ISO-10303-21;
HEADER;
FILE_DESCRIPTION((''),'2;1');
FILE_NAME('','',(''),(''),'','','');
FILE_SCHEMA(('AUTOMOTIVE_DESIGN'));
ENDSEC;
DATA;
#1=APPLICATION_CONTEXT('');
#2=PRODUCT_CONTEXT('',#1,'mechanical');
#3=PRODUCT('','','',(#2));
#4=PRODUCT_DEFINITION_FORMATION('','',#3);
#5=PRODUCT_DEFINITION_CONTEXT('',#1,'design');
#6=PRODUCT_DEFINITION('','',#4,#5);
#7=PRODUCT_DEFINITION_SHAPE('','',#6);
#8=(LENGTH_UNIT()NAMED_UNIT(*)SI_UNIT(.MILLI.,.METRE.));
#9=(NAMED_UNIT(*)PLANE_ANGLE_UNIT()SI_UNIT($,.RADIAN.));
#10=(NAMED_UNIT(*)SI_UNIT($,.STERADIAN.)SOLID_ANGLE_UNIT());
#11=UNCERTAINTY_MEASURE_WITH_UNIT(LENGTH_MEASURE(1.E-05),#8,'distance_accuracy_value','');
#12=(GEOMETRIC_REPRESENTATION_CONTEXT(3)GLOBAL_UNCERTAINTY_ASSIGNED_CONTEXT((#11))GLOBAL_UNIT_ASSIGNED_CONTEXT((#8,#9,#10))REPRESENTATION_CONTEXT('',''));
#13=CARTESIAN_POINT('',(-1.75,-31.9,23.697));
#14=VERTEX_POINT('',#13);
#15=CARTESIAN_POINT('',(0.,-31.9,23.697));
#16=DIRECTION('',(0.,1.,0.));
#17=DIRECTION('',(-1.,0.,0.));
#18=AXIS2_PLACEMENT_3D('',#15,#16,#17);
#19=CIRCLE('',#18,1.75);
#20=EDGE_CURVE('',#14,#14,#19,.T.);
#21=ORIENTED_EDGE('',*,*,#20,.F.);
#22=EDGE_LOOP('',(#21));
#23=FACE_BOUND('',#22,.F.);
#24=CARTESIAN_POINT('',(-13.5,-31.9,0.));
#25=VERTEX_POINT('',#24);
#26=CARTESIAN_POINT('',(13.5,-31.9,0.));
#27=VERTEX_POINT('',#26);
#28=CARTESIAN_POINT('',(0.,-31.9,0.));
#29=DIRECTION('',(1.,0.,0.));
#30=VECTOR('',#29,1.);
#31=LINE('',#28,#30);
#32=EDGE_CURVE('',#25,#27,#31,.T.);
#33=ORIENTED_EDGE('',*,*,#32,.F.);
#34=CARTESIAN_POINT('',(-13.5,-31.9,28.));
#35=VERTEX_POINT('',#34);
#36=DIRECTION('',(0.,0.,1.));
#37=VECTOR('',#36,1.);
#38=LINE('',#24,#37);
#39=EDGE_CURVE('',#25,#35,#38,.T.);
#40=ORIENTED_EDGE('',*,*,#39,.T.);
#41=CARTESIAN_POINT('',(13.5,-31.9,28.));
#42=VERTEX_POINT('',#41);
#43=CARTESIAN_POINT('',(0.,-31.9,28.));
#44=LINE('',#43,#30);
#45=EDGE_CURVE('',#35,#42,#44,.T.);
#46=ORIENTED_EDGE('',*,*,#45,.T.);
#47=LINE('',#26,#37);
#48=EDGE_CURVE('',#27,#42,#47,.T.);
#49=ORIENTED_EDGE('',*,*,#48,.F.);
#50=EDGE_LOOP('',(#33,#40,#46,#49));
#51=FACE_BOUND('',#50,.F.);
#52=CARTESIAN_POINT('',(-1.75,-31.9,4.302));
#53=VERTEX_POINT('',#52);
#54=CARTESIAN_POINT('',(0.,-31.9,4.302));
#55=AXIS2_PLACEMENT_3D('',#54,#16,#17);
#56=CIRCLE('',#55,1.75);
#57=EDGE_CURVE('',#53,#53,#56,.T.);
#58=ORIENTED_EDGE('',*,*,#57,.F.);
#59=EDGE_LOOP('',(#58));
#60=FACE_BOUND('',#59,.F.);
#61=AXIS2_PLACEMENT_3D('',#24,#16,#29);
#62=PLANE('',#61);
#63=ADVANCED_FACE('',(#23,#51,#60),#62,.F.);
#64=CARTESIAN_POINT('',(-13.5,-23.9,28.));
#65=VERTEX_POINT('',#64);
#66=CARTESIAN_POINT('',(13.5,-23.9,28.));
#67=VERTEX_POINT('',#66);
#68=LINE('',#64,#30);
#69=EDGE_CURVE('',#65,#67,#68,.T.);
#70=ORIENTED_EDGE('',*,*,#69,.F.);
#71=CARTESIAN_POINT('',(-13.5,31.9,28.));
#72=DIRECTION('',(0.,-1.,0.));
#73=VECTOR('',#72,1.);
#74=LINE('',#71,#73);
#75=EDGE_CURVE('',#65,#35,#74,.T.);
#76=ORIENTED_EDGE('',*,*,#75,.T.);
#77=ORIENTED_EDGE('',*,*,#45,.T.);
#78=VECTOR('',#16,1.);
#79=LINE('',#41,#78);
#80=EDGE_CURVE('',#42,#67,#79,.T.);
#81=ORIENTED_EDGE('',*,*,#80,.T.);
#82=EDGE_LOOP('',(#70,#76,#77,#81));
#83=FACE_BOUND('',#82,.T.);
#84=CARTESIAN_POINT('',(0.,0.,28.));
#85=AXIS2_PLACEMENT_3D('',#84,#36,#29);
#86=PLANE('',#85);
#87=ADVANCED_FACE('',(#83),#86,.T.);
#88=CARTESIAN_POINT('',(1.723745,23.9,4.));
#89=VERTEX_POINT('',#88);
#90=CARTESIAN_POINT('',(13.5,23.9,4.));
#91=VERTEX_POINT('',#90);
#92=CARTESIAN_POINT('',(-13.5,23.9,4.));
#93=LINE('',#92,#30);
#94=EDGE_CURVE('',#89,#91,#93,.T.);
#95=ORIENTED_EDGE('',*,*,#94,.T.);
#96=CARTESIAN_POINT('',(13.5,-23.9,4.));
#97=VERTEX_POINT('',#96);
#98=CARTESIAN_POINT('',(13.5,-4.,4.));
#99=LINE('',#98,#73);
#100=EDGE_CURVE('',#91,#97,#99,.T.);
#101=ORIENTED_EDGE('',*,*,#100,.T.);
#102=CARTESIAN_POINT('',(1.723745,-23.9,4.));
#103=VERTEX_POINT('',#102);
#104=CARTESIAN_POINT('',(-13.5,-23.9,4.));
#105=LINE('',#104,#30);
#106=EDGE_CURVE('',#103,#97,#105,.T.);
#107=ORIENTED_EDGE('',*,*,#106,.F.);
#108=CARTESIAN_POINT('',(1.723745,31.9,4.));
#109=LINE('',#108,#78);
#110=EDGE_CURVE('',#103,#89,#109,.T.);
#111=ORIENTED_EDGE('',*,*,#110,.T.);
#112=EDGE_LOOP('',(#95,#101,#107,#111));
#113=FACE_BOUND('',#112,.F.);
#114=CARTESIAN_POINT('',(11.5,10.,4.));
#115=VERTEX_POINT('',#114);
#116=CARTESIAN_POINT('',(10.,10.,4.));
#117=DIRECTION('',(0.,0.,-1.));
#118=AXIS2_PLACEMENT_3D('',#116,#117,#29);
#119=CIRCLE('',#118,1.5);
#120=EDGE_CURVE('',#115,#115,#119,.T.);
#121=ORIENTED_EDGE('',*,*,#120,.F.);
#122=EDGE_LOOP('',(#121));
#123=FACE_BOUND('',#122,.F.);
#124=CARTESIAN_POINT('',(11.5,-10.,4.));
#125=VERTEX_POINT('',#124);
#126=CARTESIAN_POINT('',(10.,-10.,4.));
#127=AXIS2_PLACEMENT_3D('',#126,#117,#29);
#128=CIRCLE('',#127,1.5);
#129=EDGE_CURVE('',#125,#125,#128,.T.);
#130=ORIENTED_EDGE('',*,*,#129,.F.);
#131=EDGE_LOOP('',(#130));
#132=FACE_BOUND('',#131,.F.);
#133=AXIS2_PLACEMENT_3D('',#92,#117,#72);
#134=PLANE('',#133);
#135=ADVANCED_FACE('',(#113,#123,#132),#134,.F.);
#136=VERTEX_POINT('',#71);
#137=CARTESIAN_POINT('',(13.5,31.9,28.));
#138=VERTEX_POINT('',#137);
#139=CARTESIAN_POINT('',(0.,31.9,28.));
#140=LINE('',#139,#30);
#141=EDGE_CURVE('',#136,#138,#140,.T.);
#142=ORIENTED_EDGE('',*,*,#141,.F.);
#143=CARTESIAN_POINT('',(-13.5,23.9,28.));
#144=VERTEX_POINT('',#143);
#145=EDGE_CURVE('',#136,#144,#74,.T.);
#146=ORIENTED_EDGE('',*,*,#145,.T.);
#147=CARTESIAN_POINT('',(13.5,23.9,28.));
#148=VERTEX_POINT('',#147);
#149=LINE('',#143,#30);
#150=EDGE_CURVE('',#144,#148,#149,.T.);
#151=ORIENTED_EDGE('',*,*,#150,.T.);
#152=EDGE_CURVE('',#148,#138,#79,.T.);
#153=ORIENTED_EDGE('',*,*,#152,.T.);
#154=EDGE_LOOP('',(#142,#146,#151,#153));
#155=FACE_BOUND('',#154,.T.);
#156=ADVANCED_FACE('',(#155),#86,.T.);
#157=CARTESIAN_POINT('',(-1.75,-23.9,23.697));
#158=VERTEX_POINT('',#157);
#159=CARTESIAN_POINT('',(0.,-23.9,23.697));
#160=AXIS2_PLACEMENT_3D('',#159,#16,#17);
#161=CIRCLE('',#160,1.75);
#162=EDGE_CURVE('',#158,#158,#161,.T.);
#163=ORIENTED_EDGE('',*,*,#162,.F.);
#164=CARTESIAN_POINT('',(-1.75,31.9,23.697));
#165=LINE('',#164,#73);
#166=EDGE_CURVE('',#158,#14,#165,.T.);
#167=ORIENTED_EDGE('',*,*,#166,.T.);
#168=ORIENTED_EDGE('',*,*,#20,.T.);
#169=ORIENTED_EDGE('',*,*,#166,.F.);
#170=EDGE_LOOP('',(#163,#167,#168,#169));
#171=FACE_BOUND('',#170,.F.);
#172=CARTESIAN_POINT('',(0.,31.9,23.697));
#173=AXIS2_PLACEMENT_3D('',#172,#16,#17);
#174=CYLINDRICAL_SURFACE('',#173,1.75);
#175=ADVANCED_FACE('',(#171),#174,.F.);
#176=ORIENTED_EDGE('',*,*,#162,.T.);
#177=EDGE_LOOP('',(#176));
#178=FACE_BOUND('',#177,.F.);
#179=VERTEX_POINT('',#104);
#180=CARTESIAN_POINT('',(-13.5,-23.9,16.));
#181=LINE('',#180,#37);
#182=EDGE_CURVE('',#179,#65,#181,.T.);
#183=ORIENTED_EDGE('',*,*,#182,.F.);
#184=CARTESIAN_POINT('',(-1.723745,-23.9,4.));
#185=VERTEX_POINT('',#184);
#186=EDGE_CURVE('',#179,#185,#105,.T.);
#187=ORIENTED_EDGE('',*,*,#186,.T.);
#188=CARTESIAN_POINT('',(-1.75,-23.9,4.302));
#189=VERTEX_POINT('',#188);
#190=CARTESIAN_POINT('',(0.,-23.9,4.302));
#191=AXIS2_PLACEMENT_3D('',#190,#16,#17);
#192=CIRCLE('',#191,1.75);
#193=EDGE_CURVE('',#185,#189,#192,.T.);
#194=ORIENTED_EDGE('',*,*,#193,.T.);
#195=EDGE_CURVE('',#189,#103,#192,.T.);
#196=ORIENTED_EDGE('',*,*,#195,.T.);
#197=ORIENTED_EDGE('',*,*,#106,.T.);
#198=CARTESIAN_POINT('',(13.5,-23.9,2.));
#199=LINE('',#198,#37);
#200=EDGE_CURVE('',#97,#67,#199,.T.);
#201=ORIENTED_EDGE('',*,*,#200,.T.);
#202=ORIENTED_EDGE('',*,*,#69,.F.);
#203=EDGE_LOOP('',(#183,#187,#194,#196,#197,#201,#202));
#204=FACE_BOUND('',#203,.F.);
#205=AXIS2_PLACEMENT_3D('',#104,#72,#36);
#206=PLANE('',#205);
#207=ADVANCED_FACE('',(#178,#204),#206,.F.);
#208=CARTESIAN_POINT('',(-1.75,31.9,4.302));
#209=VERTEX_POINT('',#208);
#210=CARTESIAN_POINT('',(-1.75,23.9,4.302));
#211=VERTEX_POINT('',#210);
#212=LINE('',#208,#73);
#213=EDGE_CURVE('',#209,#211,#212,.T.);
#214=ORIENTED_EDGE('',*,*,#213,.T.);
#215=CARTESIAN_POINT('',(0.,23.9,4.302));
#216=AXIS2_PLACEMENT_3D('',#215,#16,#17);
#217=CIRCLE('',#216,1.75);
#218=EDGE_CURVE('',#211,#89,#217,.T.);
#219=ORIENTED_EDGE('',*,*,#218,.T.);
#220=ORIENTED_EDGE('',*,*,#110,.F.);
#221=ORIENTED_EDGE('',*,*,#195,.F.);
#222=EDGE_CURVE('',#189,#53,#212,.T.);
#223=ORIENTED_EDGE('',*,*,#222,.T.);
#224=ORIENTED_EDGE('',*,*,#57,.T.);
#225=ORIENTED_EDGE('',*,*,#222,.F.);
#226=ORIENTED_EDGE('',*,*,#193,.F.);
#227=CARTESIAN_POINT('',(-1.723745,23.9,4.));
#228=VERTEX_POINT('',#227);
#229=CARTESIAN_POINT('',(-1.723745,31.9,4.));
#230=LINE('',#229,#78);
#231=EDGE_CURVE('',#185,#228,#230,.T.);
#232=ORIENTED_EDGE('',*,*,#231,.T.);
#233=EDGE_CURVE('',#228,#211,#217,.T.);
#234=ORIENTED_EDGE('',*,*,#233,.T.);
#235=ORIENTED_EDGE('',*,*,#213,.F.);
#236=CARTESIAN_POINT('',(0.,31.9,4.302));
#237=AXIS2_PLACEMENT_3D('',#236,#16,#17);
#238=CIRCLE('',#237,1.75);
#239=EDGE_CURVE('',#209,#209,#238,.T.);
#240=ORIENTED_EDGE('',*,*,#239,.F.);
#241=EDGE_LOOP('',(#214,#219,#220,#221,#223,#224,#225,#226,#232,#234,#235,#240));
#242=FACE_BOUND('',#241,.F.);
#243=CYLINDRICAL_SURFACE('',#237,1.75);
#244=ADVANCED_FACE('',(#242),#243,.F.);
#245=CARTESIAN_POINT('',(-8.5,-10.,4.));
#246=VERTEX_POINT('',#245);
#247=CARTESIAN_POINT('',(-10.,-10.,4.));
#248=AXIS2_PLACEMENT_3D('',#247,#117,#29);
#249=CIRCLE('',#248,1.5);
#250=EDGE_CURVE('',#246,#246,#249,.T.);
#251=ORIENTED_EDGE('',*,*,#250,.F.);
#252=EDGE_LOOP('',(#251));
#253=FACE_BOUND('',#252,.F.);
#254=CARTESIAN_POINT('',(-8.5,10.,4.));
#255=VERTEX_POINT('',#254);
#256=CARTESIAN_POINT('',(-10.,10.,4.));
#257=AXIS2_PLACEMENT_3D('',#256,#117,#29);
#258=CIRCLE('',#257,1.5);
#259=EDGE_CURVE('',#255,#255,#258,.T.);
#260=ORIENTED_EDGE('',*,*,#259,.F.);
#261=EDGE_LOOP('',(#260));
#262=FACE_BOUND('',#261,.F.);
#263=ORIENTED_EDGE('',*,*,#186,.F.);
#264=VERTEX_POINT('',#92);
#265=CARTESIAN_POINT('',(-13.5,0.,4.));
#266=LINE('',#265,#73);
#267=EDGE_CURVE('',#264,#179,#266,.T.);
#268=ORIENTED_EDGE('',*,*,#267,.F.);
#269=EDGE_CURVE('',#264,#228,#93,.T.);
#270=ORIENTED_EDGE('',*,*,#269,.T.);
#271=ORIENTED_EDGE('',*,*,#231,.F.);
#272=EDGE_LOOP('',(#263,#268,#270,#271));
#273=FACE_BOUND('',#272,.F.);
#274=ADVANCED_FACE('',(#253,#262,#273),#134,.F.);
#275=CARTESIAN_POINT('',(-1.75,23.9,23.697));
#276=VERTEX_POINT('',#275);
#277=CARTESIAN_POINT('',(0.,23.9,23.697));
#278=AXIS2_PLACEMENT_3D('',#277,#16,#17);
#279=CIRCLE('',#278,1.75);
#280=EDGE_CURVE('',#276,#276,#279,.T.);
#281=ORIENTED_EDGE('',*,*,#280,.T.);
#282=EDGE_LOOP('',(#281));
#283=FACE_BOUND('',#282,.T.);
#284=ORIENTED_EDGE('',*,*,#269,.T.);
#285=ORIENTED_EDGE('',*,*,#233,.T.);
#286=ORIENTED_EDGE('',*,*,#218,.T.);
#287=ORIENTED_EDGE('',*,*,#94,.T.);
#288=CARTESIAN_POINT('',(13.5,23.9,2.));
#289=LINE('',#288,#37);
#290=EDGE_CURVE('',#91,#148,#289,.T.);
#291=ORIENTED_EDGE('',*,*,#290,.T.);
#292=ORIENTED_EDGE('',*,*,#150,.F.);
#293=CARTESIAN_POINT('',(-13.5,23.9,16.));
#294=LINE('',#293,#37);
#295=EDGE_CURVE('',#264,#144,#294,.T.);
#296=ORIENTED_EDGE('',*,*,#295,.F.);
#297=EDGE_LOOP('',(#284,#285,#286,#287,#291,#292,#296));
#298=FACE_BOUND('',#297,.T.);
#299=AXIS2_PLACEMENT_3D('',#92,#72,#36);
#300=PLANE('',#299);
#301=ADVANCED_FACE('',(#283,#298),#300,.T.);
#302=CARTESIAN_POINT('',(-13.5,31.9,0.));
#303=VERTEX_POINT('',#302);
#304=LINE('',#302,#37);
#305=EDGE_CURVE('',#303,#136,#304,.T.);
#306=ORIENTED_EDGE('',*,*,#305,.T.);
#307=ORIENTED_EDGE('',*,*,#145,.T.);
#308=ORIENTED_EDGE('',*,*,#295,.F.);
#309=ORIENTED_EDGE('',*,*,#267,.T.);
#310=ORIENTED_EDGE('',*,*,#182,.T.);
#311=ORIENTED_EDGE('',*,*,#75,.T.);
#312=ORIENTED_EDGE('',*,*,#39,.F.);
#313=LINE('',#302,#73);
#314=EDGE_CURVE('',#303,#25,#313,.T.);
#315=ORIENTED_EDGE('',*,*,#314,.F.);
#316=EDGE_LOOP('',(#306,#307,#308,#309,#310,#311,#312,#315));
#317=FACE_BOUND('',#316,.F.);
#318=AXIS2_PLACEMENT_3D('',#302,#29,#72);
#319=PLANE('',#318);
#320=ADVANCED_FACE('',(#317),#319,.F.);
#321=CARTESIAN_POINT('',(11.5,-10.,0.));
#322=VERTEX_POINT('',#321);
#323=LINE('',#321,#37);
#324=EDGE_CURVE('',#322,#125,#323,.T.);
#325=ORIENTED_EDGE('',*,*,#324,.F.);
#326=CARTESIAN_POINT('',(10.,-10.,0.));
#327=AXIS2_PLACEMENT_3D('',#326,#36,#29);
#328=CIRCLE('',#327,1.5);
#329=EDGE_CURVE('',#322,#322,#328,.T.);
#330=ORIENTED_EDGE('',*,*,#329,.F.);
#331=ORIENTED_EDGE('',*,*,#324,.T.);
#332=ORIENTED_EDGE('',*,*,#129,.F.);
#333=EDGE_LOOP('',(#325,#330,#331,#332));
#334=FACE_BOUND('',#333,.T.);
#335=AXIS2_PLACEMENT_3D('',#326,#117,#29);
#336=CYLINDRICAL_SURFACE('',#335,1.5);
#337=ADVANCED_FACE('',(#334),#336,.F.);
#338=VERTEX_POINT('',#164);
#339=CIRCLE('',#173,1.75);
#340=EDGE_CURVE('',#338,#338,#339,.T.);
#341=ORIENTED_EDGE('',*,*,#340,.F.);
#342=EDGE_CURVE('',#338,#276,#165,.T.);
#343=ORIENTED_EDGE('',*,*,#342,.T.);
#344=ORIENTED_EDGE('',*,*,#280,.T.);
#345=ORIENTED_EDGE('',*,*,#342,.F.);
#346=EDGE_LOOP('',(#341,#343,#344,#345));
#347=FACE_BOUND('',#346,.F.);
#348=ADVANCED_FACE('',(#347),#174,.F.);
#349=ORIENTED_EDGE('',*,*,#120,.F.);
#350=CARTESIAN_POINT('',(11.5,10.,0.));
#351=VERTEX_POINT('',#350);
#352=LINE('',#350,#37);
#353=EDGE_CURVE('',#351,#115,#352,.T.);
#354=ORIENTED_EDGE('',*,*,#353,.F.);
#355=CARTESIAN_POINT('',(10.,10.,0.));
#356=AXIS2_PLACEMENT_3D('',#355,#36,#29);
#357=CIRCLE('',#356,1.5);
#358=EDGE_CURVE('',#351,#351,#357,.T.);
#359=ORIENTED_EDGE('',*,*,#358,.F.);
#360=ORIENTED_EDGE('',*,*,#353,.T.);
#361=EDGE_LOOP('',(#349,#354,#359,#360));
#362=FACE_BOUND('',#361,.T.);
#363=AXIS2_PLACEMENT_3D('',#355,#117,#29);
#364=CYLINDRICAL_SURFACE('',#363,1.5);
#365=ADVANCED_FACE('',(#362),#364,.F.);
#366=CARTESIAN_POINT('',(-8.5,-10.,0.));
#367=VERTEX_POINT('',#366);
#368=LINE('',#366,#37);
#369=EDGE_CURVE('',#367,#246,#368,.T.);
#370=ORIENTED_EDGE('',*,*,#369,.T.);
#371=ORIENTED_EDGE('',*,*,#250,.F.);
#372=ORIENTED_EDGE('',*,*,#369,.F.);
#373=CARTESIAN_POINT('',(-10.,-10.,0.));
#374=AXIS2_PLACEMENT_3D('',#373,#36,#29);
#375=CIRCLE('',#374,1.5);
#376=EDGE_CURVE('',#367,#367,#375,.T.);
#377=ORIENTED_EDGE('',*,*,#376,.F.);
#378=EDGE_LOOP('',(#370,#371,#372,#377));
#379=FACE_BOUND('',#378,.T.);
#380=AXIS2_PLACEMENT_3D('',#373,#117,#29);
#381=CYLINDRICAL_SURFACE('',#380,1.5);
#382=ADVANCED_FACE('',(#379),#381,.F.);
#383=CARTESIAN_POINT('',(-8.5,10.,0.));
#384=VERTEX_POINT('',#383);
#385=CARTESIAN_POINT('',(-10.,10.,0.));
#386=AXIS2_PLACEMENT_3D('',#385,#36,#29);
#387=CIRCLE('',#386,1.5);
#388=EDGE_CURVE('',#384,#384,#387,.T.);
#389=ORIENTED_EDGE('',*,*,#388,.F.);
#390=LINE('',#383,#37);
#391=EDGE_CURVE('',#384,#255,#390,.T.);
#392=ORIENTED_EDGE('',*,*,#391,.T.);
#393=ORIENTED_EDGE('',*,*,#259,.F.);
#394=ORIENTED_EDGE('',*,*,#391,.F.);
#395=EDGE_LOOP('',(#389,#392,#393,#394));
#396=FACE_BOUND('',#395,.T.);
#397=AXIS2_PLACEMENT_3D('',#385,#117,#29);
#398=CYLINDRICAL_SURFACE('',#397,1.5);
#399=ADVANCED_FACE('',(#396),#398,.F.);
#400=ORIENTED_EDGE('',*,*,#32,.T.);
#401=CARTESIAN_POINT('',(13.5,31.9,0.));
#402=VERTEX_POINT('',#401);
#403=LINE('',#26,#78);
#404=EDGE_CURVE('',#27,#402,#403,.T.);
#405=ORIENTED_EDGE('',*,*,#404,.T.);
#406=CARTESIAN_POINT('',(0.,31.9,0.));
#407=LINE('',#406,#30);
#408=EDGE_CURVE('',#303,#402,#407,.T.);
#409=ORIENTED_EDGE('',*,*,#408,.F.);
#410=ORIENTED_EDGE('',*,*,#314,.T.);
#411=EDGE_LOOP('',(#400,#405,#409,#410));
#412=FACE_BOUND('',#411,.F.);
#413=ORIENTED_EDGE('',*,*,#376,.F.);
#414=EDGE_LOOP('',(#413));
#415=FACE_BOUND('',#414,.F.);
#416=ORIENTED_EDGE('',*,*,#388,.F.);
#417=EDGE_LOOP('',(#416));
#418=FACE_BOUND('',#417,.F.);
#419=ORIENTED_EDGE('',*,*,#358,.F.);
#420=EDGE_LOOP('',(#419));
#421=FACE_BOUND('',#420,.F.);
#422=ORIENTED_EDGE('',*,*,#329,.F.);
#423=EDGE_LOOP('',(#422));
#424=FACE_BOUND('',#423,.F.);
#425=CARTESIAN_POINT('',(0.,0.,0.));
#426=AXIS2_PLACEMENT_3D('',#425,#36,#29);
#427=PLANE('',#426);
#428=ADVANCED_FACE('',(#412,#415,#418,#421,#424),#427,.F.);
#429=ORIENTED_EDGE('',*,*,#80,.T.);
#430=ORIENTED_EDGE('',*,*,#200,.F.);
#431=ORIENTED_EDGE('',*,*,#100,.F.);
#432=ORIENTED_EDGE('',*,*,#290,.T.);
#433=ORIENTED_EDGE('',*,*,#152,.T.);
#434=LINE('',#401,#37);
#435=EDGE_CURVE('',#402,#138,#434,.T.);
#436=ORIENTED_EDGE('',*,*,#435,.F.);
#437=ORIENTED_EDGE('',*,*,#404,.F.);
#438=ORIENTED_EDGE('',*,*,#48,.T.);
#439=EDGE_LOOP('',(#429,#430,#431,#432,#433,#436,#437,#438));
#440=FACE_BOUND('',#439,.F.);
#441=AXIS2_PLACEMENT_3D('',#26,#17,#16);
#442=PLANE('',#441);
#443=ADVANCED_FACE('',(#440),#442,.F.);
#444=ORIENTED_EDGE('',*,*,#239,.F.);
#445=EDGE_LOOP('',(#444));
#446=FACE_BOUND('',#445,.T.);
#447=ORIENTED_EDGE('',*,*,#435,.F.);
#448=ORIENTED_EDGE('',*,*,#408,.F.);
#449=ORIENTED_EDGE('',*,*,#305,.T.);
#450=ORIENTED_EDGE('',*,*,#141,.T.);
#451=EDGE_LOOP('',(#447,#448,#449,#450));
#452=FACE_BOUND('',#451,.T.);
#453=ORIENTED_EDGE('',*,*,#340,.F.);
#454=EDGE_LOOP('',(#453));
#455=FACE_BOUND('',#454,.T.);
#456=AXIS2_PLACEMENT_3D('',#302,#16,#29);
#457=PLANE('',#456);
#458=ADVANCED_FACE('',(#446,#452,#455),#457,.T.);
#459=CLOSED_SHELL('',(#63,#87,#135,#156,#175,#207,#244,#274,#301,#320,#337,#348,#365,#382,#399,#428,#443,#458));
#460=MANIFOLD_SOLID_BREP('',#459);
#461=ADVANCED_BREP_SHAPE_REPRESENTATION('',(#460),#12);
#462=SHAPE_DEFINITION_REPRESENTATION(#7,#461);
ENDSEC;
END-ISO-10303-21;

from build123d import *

# Parameters (mm, degrees)
F1_W     = 27
F1_H     = 43.8
F1_R     = 1.5
F1_H_2   = 10
F2_DEPTH = 28
F3_R     = 1.75
F4_DEPTH = 63.801
F5_W     = 47.8
F5_H     = 24
F6_DEPTH = 27.001


with BuildPart() as f2:
    # F1 (on Top) → F2 (new body)
    with BuildSketch(Plane.XY):
        Rectangle(F1_W, F1_H)
        with Locations((-10, -10)):
            Circle(F1_R, mode=Mode.SUBTRACT)
        with Locations((10, -10)):
            Circle(F1_R, mode=Mode.SUBTRACT)
        with Locations((-10, 10)):
            Circle(F1_R, mode=Mode.SUBTRACT)
        with Locations((10, 10)):
            Circle(F1_R, mode=Mode.SUBTRACT)
        with Locations((0, 26.9)):
            Rectangle(F1_W, F1_H_2)
        with Locations((0, -26.9)):
            Rectangle(F1_W, F1_H_2)
    extrude(amount=F2_DEPTH)

    # F3 (on face) → F4 (cut, through all)
    with BuildSketch(Plane(origin=(0, 31.9, 0), x_dir=(-1, 0, 0), z_dir=(0, 1, 0))):
        with Locations((0, 23.697)):
            Circle(F3_R)
        with Locations((0, 4.302)):
            Circle(F3_R)
    extrude(amount=-F4_DEPTH, mode=Mode.SUBTRACT)

    # F5 (on face) → F6 (cut, through all)
    with BuildSketch(Plane(origin=(-13.5, 0, 0), x_dir=(0, -1, 0), z_dir=(-1, 0, 0))):
        with Locations((0, 16)):
            Rectangle(F5_W, F5_H)
    extrude(amount=-F6_DEPTH, mode=Mode.SUBTRACT)


solid = f2.part
